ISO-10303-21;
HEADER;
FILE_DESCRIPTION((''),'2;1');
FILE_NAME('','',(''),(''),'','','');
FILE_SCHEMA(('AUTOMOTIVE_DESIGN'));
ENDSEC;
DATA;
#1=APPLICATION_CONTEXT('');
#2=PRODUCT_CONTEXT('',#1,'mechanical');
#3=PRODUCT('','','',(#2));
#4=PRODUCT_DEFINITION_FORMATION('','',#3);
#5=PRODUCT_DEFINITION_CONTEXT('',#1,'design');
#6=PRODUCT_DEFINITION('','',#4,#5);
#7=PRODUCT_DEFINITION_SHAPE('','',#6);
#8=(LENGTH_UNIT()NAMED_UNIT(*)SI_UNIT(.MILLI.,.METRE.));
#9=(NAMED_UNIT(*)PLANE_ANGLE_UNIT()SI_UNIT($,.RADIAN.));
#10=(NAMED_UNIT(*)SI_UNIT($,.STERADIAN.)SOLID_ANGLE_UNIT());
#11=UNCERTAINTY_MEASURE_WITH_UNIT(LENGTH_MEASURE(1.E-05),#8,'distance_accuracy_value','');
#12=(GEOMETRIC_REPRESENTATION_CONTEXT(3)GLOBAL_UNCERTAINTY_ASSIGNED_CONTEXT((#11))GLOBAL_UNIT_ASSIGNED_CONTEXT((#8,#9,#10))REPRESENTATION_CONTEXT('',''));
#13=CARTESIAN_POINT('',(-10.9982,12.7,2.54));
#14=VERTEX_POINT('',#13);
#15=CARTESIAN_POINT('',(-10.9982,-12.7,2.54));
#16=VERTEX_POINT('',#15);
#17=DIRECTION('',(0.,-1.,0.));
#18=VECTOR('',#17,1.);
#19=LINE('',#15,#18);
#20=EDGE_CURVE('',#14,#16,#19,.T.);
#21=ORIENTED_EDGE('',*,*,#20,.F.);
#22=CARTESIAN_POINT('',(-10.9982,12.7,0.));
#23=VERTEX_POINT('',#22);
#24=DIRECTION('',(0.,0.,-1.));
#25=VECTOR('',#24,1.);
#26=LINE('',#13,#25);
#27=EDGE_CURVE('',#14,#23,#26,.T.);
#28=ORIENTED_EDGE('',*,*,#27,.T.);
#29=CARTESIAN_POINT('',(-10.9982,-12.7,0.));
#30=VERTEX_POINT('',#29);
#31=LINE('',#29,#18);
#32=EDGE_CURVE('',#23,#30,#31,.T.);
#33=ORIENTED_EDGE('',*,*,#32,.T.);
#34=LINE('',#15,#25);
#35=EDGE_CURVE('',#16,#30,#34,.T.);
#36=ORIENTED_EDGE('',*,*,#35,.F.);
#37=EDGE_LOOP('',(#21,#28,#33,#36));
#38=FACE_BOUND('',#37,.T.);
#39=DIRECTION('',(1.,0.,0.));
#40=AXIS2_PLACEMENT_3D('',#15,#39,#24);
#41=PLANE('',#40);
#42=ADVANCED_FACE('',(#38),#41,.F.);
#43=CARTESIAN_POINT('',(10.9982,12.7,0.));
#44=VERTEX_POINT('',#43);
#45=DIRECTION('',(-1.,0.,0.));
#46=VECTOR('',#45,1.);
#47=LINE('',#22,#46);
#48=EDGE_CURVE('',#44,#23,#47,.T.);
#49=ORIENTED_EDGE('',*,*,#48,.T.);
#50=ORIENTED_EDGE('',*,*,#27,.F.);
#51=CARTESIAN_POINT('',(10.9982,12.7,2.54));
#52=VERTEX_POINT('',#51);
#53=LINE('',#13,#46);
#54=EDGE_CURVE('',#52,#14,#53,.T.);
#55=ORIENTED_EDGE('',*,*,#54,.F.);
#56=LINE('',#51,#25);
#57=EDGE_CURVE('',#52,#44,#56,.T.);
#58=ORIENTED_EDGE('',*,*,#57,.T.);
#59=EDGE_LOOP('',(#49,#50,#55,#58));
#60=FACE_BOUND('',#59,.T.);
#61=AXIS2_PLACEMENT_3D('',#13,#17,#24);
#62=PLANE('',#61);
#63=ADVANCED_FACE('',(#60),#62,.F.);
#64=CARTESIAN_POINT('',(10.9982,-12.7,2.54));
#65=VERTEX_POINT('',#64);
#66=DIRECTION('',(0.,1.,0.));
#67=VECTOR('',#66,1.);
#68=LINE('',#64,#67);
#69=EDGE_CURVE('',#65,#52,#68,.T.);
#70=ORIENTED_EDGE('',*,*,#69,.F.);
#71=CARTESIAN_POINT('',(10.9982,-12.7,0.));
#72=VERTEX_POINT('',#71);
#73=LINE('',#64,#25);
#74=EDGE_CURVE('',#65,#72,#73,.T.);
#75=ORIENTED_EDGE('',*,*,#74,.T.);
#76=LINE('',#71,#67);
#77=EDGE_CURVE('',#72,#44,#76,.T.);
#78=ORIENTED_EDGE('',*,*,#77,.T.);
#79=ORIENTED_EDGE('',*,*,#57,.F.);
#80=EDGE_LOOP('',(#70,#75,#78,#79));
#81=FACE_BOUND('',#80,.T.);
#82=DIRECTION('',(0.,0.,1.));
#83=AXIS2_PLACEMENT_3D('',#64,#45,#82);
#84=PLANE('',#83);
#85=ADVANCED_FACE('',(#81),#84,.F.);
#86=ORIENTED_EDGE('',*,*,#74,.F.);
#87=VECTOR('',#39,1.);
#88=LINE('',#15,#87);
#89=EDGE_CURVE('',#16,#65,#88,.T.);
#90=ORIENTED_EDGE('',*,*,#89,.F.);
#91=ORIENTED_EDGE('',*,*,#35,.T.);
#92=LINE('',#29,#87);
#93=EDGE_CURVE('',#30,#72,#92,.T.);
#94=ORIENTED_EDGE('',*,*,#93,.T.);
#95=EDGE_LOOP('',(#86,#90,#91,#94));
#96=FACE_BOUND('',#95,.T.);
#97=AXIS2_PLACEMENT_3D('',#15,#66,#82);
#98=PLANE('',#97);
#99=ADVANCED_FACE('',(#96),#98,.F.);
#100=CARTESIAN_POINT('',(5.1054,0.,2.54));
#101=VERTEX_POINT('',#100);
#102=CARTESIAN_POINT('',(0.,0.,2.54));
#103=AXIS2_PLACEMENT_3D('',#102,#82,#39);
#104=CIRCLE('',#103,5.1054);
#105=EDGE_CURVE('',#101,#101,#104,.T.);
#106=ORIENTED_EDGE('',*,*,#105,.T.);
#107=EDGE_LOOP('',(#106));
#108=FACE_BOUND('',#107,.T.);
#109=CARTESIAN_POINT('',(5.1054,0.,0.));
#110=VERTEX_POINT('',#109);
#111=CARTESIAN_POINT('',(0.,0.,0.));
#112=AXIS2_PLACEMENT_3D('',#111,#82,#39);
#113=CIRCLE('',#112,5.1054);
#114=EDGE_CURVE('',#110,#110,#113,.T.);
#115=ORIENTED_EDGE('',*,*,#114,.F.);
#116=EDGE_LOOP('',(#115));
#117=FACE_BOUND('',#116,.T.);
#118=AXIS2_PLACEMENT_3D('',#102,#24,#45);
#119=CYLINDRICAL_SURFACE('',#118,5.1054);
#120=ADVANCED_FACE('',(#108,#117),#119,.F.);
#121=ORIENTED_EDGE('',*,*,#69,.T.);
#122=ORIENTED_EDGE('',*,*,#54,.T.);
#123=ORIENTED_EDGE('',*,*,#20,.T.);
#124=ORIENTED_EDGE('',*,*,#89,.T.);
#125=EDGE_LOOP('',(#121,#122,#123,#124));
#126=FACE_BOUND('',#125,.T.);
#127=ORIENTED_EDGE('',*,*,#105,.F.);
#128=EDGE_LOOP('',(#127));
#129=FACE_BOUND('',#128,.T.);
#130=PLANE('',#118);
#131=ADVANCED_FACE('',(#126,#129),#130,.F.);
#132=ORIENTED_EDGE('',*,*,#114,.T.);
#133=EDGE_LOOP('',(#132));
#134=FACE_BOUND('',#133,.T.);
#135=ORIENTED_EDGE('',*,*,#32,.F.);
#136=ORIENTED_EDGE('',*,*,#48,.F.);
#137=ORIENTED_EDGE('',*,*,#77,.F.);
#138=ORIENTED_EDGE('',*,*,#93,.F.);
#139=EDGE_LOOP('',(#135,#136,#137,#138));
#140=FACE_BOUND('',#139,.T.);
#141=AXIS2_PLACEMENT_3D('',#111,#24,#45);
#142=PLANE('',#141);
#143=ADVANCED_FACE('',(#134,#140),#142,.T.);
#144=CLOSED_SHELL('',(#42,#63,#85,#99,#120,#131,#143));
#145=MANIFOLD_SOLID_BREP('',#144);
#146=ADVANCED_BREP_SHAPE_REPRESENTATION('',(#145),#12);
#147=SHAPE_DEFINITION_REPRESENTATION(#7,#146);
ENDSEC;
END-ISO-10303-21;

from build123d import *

# Parameters (mm, degrees)
SKETCH1_W           = 21.9964
SKETCH1_H           = 25.4
SKETCH1_R           = 5.1054
BOSS_EXTRUDE1_DEPTH = 2.54


with BuildPart() as part:
    # Sketch1 → Boss-Extrude1 (new body)
    with BuildSketch(Plane.XY):
        Rectangle(SKETCH1_W, SKETCH1_H)
        Circle(SKETCH1_R, mode=Mode.SUBTRACT)
    extrude(amount=BOSS_EXTRUDE1_DEPTH)


solid = part.part
